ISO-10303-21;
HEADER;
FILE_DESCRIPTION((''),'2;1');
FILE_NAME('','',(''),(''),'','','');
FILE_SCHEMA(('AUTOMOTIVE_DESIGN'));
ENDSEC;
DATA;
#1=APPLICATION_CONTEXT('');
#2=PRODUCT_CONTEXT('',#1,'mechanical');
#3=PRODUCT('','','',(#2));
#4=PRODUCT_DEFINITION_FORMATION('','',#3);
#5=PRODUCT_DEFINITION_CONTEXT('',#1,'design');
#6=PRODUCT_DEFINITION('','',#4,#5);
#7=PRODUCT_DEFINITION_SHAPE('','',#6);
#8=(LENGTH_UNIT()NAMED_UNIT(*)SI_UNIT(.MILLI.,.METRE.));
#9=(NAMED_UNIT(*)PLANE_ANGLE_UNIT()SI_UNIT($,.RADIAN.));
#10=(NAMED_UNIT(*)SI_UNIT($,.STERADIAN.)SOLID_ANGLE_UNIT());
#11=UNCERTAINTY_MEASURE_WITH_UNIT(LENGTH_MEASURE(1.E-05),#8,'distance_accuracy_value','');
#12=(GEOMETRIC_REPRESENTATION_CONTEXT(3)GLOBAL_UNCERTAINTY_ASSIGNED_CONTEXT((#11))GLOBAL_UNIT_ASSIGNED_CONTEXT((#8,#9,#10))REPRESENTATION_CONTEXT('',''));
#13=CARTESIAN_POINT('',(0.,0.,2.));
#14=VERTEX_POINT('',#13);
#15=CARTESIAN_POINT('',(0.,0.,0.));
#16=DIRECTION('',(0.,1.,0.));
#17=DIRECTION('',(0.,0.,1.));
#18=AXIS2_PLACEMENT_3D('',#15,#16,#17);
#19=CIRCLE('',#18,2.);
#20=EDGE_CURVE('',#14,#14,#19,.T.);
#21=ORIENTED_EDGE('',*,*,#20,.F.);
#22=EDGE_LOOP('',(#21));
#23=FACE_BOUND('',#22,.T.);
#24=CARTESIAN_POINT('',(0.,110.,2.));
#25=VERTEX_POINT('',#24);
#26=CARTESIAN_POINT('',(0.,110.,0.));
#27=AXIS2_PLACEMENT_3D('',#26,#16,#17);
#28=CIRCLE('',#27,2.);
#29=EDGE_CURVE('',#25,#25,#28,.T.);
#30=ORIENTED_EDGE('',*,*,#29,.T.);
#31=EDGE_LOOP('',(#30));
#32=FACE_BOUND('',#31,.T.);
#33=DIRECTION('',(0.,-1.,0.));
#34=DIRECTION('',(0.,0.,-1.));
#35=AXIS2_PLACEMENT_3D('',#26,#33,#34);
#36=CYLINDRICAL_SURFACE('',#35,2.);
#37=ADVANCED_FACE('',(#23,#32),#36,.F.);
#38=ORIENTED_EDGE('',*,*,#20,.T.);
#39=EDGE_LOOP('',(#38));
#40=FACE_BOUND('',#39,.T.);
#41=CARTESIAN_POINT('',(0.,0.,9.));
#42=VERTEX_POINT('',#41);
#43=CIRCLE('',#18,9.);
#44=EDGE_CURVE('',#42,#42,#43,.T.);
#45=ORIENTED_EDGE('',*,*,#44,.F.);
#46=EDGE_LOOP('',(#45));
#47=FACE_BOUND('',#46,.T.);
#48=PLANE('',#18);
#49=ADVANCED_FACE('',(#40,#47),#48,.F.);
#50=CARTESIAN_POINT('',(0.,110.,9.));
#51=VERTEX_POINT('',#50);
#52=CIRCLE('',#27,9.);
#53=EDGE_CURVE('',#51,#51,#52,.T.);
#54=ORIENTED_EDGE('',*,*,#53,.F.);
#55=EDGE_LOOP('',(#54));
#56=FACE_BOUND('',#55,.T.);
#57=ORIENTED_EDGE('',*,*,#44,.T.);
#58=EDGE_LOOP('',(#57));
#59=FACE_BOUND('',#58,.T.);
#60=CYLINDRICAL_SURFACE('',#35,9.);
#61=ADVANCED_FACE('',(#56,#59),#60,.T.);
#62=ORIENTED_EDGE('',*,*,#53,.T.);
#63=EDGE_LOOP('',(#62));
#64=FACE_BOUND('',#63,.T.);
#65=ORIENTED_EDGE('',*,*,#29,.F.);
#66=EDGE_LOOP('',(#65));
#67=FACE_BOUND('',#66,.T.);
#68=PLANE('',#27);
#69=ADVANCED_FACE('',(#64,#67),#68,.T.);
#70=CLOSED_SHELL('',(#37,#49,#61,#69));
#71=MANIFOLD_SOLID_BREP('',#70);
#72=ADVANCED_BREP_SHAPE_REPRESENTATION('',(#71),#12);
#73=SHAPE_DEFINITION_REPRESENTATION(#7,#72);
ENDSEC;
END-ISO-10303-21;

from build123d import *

# Parameters (mm, degrees)
SKETCH_1_R      = 9
SKETCH_1_R_2    = 2
EXTRUDE_1_DEPTH = 110


with BuildPart() as part:
    # 草图1 → 凸台-拉伸1 (new body)
    with BuildSketch(Plane(origin=(0, 0, 0), x_dir=(1, 0, 0), z_dir=(0, 1, 0))):
        with Locations(Location((0, 0, 0), (0, 0, 270))):
            Circle(SKETCH_1_R)
        with Locations(Location((0, 0, 0), (0, 0, 270))):
            Circle(SKETCH_1_R_2, mode=Mode.SUBTRACT)
    extrude(amount=EXTRUDE_1_DEPTH)


solid = part.part
